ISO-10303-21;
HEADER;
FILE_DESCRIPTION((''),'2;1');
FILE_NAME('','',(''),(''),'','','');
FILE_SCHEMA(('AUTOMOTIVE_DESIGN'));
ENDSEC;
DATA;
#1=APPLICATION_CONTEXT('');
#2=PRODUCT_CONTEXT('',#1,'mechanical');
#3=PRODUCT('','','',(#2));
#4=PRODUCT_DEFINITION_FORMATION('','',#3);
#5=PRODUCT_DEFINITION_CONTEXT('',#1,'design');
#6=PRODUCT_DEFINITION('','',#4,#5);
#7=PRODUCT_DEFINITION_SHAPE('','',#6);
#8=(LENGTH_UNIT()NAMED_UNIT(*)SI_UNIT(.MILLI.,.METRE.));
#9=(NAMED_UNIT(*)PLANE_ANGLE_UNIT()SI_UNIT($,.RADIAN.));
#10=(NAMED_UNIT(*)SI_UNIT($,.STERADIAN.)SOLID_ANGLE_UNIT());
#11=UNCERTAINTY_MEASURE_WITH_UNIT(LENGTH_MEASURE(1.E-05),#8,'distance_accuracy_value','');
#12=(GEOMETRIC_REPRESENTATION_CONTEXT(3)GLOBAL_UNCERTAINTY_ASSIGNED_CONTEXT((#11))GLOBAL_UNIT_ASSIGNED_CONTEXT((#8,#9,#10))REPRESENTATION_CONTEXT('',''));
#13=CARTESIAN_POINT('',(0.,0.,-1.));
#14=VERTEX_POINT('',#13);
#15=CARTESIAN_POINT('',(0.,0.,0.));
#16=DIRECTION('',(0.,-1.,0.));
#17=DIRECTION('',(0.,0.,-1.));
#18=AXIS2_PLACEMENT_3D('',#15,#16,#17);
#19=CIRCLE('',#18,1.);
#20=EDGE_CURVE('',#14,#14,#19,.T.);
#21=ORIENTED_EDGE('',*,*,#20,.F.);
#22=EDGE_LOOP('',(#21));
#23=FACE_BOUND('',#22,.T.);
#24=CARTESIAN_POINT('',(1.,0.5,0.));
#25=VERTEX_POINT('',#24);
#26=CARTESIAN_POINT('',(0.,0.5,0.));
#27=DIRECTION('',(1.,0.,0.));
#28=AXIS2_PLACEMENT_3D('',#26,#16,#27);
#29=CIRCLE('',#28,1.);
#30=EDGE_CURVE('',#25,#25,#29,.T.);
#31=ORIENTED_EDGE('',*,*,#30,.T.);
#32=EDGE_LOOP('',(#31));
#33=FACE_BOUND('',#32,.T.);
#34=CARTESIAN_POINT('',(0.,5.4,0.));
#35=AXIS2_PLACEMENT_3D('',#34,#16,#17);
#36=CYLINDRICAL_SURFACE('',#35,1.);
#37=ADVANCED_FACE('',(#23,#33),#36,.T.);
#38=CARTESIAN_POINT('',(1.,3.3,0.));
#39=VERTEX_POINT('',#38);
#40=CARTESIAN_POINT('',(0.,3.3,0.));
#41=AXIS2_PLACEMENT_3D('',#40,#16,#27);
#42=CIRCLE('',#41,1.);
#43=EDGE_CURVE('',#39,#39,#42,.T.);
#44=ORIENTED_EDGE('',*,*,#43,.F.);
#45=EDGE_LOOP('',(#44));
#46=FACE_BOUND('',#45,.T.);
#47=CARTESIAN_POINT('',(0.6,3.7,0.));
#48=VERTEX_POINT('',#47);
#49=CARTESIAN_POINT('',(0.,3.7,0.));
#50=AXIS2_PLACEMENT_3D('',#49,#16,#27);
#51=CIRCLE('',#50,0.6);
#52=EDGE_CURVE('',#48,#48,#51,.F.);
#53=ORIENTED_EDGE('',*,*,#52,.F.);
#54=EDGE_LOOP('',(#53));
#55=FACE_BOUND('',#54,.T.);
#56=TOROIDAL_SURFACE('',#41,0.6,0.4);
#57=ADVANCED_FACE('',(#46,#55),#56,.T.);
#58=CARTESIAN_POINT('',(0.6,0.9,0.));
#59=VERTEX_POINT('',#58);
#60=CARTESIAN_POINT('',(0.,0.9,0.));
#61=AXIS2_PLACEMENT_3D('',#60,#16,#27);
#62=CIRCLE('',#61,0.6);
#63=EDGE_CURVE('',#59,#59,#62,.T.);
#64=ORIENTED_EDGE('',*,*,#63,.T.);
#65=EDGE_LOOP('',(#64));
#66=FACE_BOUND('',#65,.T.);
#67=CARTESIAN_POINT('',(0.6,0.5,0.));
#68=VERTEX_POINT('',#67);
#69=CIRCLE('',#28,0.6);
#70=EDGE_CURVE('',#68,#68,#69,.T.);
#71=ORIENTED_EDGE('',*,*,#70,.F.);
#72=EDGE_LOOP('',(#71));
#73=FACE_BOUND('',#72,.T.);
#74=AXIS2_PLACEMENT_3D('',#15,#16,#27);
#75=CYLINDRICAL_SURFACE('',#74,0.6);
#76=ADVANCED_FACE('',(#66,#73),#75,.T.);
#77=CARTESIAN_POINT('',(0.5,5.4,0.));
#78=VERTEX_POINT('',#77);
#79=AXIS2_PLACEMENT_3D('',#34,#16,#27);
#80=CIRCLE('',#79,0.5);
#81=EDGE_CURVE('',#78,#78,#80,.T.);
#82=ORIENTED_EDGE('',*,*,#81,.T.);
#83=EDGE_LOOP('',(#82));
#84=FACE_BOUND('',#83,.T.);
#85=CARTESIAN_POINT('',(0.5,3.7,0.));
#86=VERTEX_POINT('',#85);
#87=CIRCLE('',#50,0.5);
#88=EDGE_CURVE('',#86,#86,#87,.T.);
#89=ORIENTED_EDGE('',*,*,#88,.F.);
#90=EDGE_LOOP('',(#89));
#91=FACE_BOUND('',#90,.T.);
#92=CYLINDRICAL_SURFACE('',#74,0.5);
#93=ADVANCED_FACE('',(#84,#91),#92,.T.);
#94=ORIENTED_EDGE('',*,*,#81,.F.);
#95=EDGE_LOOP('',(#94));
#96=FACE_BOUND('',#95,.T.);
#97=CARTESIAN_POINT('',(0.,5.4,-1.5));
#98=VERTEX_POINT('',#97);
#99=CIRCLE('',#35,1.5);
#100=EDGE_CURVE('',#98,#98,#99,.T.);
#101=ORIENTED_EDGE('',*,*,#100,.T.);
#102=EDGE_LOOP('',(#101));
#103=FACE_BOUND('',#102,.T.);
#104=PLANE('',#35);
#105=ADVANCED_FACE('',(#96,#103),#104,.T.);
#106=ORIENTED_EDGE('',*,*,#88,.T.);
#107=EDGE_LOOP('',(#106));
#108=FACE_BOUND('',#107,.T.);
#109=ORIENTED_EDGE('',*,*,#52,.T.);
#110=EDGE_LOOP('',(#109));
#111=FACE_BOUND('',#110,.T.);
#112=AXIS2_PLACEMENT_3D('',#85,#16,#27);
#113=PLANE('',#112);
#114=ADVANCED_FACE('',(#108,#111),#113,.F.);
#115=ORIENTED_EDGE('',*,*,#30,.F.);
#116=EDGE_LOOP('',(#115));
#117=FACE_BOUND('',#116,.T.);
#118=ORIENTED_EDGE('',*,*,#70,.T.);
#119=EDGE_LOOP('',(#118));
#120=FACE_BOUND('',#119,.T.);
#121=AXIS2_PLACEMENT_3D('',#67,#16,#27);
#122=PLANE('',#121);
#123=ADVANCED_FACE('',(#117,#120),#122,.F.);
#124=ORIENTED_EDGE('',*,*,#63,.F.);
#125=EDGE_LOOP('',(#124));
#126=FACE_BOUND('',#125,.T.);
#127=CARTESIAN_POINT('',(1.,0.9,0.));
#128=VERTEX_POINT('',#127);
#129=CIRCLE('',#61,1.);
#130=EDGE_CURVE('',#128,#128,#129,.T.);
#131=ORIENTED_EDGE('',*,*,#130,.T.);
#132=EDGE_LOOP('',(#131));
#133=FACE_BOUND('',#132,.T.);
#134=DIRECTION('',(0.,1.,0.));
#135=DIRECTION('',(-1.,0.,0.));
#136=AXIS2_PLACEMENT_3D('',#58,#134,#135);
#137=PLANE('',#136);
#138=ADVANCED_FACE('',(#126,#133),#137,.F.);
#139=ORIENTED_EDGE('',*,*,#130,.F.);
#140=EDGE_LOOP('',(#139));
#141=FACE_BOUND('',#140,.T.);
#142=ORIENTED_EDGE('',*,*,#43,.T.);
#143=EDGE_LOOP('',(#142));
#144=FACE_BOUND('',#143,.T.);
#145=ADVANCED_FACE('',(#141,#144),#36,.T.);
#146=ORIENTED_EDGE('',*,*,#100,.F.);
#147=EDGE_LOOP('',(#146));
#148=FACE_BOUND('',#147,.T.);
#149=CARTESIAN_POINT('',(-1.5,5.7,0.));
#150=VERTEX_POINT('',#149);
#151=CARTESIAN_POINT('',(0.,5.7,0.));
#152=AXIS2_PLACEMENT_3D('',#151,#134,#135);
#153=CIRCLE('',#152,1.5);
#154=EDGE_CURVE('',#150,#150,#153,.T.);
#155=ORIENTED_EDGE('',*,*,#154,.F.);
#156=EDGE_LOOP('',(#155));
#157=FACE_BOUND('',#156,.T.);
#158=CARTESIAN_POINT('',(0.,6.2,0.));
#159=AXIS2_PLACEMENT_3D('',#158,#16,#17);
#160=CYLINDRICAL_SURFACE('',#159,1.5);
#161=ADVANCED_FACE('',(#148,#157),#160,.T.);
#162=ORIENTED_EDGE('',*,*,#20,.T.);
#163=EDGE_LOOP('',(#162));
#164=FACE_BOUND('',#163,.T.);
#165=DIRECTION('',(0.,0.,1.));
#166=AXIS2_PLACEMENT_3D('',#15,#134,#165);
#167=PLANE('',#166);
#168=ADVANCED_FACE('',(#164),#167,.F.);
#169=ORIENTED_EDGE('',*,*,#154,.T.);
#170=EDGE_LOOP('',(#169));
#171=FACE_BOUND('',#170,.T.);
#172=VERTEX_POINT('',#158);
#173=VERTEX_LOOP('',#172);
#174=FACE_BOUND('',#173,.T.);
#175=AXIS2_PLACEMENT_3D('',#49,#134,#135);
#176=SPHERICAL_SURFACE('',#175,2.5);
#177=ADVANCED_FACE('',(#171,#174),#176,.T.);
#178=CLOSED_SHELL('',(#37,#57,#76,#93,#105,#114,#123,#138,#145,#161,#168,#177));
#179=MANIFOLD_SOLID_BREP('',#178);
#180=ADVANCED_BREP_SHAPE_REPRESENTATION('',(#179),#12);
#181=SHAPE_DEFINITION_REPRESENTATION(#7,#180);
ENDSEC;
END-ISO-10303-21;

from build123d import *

# Parameters (mm, degrees)
SKETCH2_R           = 1.5
BOSS_EXTRUDE1_DEPTH = 6.2
SKETCH5_OUTSIDE_W   = 6.502
SKETCH5_OUTSIDE_H   = 6.502
SKETCH5_OUTSIDE_R   = 1
CUT_EXTRUDE1_DEPTH  = 5.4
SKETCH4_W           = 0.4
SKETCH4_H           = 0.4
SKETCH4_W_2         = 0.5
SKETCH4_H_2         = 1.7
FILLET1_R           = 0.4


with BuildPart() as part:
    # Sketch2 → Boss-Extrude1 (new body)
    with BuildSketch(Plane(origin=(0, 0, 0), x_dir=(1, 0, 0), z_dir=(0, 1, 0))):
        Circle(SKETCH2_R)
    extrude(amount=BOSS_EXTRUDE1_DEPTH)

    # Sketch3 → Cut-Revolve1 (revolve, cut)
    with BuildSketch(Plane.XY):
        with BuildLine():
            Line((0, 6.2), (0, 6.3))
            Line((0, 6.3), (1.5, 6.3))
            Line((1.5, 6.3), (1.5, 5.7))
            ThreePointArc((1.5, 5.7), (0.790569415, 6.071708245), (0, 6.2))
        make_face()
    revolve(axis=Axis((0, 6.2, 0), (0, -1, 0)), mode=Mode.SUBTRACT)

    # Sketch5 outside → Cut-Extrude1 (cut)
    with BuildSketch(Plane.XZ):
        Rectangle(SKETCH5_OUTSIDE_W, SKETCH5_OUTSIDE_H)
        Circle(SKETCH5_OUTSIDE_R, mode=Mode.SUBTRACT)
    extrude(amount=-CUT_EXTRUDE1_DEPTH, mode=Mode.SUBTRACT)

    # Sketch4 → Cut-Revolve2 (revolve, cut)
    with BuildSketch(Plane.XY):
        with Locations((0.8, 0.7)):
            Rectangle(SKETCH4_W, SKETCH4_H)
        with Locations((0.75, 4.55)):
            Rectangle(SKETCH4_W_2, SKETCH4_H_2)
    revolve(axis=Axis((0, 0, 0), (0, 1, 0)), mode=Mode.SUBTRACT)

    # Fillet1
    fillet1_edges = [part.edges().sort_by_distance(p)[0] for p in [
        (-1, 3.7, 0),
    ]]
    fillet(fillet1_edges, radius=FILLET1_R)


solid = part.part
